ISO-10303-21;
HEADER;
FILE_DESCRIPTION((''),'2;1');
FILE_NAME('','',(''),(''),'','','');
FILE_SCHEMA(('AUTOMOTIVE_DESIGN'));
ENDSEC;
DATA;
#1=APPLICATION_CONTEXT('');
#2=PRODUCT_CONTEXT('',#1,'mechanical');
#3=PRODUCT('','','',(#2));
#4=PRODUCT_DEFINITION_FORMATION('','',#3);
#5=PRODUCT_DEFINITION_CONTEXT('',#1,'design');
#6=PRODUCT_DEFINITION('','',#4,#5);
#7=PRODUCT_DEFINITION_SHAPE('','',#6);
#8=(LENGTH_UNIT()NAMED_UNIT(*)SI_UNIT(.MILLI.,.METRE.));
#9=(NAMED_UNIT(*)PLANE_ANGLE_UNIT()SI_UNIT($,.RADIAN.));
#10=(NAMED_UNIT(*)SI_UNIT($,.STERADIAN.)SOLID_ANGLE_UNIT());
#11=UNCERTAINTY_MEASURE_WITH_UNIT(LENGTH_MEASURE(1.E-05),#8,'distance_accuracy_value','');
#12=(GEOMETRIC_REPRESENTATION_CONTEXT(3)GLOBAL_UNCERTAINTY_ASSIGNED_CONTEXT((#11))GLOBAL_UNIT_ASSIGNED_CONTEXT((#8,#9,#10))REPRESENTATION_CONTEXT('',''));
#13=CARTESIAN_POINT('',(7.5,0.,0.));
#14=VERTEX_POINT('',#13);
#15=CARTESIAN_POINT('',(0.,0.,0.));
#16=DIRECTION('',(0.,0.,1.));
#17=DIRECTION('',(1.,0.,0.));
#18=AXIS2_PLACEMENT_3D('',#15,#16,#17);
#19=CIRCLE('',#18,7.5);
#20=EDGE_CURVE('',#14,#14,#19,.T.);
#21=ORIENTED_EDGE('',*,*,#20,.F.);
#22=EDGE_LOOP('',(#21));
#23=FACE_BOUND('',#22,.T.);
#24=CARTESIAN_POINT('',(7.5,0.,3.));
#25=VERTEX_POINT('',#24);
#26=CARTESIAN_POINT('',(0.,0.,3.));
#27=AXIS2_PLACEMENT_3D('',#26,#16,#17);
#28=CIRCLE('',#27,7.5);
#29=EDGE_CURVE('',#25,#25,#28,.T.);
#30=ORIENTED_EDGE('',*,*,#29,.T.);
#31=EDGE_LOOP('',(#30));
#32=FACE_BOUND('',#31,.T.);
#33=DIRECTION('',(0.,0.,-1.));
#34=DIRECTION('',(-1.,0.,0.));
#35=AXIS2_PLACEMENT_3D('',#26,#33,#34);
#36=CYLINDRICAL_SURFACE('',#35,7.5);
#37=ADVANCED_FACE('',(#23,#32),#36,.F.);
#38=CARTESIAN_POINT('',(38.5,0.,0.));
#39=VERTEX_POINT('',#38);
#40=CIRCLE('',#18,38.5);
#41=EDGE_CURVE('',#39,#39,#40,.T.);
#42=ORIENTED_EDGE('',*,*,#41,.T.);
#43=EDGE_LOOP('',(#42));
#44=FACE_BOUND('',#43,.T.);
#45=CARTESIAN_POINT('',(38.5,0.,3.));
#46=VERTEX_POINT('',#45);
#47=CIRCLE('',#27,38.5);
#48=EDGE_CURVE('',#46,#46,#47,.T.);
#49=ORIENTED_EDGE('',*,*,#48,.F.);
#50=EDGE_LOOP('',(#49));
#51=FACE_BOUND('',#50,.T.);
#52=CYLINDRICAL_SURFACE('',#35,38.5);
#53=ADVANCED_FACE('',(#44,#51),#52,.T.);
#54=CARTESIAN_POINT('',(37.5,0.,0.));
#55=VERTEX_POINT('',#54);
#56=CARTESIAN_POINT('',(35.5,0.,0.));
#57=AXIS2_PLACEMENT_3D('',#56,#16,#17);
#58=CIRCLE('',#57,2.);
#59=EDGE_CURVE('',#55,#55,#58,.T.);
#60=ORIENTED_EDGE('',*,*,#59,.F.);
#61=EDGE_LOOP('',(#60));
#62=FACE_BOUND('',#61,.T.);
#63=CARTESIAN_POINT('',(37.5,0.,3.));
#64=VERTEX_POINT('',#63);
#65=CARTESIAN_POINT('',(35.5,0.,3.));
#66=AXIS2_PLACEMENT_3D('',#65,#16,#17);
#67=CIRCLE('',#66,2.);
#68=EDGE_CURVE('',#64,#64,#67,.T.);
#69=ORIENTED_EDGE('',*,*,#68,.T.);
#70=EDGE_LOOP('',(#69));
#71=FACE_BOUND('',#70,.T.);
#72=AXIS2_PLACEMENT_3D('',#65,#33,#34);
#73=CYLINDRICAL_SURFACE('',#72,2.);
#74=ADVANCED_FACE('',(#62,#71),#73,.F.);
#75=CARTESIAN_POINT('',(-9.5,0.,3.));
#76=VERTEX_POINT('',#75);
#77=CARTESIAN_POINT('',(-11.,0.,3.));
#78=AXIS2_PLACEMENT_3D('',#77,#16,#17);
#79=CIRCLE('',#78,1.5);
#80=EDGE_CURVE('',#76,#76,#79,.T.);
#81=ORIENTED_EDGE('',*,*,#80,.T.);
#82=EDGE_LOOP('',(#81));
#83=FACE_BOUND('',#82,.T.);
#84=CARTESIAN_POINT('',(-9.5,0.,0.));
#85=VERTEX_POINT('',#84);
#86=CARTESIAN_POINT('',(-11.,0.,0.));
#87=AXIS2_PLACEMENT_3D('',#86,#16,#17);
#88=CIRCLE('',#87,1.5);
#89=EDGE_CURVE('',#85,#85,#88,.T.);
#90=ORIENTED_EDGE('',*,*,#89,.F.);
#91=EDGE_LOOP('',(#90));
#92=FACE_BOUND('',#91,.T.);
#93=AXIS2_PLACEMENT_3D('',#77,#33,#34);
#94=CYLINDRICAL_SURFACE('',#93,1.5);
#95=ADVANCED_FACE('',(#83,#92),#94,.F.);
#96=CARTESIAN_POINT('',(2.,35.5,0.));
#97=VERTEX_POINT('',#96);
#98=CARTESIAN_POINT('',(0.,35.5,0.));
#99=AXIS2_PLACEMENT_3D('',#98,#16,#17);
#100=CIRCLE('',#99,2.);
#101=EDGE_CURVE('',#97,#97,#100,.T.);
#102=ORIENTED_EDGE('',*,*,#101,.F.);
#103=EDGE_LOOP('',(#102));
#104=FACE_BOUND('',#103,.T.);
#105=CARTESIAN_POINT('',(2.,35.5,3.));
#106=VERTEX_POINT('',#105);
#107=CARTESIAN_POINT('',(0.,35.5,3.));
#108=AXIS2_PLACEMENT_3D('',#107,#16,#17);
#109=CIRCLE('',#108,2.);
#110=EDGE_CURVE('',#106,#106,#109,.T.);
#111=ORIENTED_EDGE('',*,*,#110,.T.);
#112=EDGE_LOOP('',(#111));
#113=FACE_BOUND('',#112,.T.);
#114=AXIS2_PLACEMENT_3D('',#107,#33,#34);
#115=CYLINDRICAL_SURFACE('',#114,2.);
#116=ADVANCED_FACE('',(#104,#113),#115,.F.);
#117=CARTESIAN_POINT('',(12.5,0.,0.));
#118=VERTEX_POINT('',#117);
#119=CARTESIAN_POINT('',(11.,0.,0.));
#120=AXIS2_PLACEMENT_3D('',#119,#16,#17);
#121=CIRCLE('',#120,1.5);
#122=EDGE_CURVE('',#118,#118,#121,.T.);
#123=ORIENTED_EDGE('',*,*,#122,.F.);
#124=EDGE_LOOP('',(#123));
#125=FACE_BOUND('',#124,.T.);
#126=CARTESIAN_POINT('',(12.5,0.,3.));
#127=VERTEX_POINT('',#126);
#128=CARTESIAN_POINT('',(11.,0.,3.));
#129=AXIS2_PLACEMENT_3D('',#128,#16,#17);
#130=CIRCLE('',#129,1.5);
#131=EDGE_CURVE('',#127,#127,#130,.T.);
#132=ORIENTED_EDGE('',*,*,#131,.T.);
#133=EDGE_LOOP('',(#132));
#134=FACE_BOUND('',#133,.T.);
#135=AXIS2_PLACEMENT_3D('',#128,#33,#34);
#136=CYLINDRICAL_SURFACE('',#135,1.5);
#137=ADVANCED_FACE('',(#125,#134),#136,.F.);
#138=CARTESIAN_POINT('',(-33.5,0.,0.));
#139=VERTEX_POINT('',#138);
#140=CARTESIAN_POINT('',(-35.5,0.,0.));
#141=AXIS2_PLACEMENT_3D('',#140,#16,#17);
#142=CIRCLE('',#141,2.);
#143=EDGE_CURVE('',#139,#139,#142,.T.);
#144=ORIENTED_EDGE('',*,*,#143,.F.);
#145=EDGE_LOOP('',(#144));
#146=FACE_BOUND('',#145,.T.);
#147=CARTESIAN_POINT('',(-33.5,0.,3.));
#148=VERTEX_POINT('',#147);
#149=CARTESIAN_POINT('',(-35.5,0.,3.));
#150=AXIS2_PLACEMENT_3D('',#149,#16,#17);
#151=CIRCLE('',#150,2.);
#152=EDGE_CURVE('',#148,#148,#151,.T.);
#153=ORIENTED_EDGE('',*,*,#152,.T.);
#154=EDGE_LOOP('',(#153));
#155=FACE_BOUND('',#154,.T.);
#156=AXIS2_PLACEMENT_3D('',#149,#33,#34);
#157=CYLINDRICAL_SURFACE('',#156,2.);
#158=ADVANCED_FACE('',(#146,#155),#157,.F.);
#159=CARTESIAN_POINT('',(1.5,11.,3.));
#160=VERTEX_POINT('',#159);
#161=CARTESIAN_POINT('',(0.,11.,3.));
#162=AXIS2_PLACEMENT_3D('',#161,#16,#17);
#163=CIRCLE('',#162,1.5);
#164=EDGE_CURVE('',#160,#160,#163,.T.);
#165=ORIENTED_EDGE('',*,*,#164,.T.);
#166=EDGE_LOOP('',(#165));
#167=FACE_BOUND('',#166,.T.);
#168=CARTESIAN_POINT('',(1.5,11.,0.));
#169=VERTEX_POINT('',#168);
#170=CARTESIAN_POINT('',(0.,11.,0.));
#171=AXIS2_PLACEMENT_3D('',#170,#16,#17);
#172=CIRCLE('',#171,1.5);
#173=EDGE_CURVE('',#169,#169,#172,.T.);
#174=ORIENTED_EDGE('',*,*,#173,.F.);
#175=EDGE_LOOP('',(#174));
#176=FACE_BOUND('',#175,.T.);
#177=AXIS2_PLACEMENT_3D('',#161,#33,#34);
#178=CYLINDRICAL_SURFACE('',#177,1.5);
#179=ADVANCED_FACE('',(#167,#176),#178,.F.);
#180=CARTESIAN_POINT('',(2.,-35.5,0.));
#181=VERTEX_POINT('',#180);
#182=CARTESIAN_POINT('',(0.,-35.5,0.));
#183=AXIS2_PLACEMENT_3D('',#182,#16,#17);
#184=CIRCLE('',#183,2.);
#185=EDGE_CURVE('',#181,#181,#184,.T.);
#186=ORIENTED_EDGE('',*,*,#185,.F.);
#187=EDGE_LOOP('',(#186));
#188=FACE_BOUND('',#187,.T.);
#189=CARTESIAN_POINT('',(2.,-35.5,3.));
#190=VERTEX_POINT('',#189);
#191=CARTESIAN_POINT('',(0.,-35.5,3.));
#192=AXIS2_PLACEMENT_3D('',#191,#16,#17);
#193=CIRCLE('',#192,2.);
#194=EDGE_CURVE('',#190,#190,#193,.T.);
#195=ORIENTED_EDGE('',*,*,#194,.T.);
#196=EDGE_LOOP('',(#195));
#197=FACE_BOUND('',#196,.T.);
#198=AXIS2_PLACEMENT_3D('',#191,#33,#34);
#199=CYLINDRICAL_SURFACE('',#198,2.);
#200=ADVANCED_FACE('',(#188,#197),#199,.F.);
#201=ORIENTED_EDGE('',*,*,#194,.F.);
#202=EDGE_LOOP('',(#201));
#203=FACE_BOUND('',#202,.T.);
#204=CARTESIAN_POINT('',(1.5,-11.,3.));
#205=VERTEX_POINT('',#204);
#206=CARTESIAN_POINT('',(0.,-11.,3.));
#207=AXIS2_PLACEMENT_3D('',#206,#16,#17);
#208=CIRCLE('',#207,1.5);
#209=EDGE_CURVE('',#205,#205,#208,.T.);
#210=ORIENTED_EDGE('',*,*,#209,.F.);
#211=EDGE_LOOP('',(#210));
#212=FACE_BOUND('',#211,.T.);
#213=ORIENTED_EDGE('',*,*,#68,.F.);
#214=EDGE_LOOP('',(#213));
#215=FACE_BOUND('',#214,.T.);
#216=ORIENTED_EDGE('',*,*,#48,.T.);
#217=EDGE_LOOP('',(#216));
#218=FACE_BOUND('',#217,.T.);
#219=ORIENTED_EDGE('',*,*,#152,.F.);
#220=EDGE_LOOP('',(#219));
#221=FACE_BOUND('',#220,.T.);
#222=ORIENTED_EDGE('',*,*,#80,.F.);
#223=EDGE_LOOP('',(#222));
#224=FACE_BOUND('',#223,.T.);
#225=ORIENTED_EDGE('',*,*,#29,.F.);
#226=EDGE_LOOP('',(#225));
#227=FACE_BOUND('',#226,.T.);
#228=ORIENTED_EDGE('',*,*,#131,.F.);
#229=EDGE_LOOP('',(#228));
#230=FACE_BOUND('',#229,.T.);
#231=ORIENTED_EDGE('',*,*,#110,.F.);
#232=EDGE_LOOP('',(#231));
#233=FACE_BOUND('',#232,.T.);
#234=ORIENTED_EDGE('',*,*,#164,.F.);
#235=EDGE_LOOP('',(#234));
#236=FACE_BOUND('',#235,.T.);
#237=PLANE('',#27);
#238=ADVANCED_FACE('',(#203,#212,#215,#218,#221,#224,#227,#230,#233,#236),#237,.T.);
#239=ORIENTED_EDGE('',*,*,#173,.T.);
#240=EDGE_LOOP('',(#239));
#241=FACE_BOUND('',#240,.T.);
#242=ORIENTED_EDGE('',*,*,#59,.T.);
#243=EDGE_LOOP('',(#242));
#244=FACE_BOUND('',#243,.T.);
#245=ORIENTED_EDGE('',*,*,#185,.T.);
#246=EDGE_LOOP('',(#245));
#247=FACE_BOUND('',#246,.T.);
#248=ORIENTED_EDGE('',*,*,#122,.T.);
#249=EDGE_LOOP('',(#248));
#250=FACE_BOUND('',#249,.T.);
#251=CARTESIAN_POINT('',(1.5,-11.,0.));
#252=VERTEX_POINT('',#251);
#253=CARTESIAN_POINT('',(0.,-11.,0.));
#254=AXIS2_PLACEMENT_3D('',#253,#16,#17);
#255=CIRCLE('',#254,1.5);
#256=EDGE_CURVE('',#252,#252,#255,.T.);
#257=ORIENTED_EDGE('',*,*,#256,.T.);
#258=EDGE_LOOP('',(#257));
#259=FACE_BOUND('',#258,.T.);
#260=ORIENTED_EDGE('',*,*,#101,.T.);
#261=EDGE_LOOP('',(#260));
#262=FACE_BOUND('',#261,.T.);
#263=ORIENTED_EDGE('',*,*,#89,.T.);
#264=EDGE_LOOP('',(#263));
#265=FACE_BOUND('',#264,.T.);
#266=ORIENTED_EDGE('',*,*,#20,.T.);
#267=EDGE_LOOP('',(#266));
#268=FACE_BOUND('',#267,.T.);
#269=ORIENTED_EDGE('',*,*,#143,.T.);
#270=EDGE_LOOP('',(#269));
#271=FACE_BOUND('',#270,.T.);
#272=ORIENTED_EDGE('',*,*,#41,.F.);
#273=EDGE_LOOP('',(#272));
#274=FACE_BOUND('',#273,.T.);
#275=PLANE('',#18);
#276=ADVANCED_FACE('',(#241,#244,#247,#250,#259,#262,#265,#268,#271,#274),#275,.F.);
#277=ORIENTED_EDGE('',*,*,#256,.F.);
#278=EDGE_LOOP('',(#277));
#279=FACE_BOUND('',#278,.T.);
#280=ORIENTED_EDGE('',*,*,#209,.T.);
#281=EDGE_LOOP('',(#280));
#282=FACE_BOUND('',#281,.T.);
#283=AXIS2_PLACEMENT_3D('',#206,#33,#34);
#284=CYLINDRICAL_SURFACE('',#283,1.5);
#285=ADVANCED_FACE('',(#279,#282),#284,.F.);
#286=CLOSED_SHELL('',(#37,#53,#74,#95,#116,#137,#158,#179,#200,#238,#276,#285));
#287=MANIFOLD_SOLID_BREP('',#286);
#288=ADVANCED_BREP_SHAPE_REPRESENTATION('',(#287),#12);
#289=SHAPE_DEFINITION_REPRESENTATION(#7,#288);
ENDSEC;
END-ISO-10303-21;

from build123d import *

# Parameters (mm, degrees)
SKETCH1_R           = 38.5
SKETCH1_R_2         = 1.5
SKETCH1_R_3         = 2
SKETCH1_R_4         = 7.5
BOSS_EXTRUDE1_DEPTH = 3


with BuildPart() as part:
    # Sketch1 → Boss-Extrude1 (new body)
    with BuildSketch(Plane.XY):
        Circle(SKETCH1_R)
        with Locations((0, 11)):
            Circle(SKETCH1_R_2, mode=Mode.SUBTRACT)
        with Locations((0, 35.5)):
            Circle(SKETCH1_R_3, mode=Mode.SUBTRACT)
        with Locations((35.5, 0)):
            Circle(SKETCH1_R_3, mode=Mode.SUBTRACT)
        with Locations((11, 0)):
            Circle(SKETCH1_R_2, mode=Mode.SUBTRACT)
        with Locations((0, -35.5)):
            Circle(SKETCH1_R_3, mode=Mode.SUBTRACT)
        with Locations((0, -11)):
            Circle(SKETCH1_R_2, mode=Mode.SUBTRACT)
        with Locations((-35.5, 0)):
            Circle(SKETCH1_R_3, mode=Mode.SUBTRACT)
        with Locations((-11, 0)):
            Circle(SKETCH1_R_2, mode=Mode.SUBTRACT)
        Circle(SKETCH1_R_4, mode=Mode.SUBTRACT)
    extrude(amount=BOSS_EXTRUDE1_DEPTH)


solid = part.part
